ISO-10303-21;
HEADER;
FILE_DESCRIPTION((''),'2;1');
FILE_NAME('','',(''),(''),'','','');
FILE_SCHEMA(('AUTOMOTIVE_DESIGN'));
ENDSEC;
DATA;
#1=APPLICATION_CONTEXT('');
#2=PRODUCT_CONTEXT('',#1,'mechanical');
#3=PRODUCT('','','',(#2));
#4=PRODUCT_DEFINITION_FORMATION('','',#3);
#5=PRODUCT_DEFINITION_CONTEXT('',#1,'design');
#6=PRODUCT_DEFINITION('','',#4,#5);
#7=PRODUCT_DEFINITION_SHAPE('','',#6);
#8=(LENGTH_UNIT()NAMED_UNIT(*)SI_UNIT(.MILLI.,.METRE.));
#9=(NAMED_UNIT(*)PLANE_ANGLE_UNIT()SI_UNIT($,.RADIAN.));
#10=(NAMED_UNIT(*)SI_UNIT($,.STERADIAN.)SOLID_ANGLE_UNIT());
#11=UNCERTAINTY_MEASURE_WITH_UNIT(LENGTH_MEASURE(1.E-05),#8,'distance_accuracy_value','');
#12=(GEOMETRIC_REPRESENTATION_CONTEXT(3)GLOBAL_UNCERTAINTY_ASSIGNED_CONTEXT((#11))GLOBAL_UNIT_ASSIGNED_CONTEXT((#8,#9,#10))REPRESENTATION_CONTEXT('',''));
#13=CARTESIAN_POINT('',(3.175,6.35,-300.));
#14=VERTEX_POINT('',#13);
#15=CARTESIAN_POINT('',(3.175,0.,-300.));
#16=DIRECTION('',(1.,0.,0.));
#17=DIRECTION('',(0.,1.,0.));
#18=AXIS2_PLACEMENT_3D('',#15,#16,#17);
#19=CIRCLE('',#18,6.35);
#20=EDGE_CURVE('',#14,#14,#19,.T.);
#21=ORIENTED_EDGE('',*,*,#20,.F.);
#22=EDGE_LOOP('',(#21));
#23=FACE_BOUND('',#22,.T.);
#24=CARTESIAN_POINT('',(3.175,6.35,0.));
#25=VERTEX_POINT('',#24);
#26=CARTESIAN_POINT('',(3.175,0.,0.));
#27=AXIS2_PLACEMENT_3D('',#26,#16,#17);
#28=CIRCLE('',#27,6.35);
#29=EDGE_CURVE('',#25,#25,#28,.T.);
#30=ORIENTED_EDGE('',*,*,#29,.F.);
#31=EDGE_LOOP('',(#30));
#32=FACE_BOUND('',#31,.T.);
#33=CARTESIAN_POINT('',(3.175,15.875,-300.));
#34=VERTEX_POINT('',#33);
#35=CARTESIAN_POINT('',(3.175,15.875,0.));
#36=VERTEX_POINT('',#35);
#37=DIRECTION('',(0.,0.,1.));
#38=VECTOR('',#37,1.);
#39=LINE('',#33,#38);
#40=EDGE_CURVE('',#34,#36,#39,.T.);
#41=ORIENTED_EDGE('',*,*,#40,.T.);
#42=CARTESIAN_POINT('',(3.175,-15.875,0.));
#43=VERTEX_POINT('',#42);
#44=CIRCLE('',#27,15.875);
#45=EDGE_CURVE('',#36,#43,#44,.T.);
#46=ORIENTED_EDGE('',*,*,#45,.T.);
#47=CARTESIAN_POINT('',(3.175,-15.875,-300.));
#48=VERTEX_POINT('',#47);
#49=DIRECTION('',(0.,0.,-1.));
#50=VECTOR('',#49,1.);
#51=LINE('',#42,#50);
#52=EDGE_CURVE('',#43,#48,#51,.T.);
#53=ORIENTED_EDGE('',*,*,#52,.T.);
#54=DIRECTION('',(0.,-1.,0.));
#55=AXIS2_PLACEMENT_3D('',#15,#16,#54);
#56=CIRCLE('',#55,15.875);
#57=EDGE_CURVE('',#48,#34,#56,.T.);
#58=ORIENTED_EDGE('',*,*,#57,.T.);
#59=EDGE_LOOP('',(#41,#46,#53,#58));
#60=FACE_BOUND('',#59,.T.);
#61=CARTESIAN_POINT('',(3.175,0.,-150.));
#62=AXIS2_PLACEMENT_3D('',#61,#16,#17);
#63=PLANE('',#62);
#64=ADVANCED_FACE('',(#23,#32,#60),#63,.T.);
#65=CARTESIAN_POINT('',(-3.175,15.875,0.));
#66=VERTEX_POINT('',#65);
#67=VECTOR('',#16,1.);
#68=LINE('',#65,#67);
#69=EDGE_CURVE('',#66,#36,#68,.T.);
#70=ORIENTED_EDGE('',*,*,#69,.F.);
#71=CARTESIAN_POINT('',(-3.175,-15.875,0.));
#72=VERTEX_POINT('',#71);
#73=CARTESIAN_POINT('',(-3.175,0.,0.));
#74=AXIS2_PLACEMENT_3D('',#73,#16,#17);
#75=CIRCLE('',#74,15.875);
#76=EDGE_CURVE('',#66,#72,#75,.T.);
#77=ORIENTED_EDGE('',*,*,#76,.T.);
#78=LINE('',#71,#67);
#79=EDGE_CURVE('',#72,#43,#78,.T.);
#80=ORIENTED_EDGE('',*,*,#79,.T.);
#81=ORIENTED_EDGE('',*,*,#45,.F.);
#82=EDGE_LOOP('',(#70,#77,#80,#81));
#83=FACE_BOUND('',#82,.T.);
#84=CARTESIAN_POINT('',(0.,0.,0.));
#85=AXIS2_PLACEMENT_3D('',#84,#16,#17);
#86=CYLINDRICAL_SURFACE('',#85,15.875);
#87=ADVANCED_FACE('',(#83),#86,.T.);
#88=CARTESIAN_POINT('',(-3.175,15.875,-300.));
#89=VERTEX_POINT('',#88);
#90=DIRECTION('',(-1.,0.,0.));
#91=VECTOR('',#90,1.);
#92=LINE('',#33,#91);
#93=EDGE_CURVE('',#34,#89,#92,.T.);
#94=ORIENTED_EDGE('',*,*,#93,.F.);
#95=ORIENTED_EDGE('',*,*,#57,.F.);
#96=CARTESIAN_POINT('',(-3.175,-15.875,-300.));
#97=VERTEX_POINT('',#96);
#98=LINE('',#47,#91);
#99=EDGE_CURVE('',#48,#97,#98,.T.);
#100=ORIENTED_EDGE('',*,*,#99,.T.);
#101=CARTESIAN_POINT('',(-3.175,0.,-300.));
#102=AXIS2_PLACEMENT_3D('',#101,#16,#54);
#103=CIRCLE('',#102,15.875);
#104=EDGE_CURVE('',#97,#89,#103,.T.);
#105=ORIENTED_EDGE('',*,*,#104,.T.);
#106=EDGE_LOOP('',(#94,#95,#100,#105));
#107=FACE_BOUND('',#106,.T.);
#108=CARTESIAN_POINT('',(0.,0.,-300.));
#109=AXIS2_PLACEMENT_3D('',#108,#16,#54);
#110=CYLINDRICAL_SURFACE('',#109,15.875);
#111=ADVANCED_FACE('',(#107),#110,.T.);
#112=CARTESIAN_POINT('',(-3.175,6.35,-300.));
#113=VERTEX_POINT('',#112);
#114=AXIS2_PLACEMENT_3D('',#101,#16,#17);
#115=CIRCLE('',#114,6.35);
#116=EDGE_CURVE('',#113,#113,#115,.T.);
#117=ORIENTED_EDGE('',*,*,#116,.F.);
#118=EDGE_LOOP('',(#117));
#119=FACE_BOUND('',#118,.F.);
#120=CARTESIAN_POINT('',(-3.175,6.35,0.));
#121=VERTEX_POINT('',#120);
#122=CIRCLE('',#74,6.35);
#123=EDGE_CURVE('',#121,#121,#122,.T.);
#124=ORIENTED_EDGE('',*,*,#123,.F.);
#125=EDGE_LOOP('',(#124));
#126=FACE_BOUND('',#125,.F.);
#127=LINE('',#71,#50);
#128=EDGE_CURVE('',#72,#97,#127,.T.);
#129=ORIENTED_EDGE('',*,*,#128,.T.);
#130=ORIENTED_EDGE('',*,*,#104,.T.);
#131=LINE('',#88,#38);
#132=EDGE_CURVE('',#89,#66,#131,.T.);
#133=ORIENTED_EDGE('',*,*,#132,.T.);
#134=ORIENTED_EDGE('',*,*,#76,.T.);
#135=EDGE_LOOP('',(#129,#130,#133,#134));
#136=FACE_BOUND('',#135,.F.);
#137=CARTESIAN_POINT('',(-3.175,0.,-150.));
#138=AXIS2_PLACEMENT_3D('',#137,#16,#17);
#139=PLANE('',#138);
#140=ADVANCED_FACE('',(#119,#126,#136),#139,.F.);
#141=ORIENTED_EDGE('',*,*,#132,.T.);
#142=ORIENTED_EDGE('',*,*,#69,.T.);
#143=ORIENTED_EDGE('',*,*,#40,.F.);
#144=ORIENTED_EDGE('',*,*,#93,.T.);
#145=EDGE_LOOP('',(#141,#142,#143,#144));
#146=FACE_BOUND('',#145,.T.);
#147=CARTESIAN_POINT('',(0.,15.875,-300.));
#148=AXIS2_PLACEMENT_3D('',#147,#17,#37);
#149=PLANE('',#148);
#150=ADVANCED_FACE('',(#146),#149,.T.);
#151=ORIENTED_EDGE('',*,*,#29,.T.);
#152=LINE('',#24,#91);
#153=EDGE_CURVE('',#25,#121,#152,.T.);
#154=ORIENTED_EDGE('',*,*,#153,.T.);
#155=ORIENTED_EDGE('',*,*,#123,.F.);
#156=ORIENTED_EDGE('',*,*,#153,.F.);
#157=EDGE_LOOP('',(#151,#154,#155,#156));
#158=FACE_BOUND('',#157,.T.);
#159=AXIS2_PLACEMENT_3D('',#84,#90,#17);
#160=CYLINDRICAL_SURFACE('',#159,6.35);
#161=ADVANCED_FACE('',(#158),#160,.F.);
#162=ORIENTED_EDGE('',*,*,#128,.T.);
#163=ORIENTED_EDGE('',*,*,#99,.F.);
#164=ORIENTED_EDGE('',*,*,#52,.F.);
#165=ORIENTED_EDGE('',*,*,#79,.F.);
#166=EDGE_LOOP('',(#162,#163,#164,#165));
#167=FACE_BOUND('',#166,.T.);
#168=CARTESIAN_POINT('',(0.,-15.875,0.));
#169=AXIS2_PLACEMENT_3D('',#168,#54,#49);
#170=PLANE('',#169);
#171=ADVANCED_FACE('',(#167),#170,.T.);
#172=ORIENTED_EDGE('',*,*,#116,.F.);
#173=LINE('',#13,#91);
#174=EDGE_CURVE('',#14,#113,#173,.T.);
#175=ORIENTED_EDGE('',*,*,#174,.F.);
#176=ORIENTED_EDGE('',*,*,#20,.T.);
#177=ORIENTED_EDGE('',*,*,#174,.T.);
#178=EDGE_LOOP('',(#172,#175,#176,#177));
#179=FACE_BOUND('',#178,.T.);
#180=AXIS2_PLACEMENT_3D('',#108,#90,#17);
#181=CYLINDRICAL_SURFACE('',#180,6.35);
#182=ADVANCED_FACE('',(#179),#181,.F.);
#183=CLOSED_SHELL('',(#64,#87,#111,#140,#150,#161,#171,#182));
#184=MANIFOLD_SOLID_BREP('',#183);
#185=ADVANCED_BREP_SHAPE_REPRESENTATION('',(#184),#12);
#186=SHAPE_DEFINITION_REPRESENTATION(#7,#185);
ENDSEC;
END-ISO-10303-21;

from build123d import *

# Parameters (mm, degrees)
F0_R     = 6.35
F1_DEPTH = 3.175


with BuildPart() as f1:
    # F0 (on Right) → F1 (new body, symmetric)
    with BuildSketch(Plane.YZ):
        with BuildLine():
            Line((15.875, -300), (15.875, 0))
            ThreePointArc((15.875, 0), (0, 15.875), (-15.875, 0))
            Line((-15.875, 0), (-15.875, -300))
            ThreePointArc((-15.875, -300), (0, -315.875), (15.875, -300))
        make_face()
        with Locations((0, -300)):
            Circle(F0_R, mode=Mode.SUBTRACT)
        Circle(F0_R, mode=Mode.SUBTRACT)
    extrude(amount=F1_DEPTH, both=True)


solid = f1.part
